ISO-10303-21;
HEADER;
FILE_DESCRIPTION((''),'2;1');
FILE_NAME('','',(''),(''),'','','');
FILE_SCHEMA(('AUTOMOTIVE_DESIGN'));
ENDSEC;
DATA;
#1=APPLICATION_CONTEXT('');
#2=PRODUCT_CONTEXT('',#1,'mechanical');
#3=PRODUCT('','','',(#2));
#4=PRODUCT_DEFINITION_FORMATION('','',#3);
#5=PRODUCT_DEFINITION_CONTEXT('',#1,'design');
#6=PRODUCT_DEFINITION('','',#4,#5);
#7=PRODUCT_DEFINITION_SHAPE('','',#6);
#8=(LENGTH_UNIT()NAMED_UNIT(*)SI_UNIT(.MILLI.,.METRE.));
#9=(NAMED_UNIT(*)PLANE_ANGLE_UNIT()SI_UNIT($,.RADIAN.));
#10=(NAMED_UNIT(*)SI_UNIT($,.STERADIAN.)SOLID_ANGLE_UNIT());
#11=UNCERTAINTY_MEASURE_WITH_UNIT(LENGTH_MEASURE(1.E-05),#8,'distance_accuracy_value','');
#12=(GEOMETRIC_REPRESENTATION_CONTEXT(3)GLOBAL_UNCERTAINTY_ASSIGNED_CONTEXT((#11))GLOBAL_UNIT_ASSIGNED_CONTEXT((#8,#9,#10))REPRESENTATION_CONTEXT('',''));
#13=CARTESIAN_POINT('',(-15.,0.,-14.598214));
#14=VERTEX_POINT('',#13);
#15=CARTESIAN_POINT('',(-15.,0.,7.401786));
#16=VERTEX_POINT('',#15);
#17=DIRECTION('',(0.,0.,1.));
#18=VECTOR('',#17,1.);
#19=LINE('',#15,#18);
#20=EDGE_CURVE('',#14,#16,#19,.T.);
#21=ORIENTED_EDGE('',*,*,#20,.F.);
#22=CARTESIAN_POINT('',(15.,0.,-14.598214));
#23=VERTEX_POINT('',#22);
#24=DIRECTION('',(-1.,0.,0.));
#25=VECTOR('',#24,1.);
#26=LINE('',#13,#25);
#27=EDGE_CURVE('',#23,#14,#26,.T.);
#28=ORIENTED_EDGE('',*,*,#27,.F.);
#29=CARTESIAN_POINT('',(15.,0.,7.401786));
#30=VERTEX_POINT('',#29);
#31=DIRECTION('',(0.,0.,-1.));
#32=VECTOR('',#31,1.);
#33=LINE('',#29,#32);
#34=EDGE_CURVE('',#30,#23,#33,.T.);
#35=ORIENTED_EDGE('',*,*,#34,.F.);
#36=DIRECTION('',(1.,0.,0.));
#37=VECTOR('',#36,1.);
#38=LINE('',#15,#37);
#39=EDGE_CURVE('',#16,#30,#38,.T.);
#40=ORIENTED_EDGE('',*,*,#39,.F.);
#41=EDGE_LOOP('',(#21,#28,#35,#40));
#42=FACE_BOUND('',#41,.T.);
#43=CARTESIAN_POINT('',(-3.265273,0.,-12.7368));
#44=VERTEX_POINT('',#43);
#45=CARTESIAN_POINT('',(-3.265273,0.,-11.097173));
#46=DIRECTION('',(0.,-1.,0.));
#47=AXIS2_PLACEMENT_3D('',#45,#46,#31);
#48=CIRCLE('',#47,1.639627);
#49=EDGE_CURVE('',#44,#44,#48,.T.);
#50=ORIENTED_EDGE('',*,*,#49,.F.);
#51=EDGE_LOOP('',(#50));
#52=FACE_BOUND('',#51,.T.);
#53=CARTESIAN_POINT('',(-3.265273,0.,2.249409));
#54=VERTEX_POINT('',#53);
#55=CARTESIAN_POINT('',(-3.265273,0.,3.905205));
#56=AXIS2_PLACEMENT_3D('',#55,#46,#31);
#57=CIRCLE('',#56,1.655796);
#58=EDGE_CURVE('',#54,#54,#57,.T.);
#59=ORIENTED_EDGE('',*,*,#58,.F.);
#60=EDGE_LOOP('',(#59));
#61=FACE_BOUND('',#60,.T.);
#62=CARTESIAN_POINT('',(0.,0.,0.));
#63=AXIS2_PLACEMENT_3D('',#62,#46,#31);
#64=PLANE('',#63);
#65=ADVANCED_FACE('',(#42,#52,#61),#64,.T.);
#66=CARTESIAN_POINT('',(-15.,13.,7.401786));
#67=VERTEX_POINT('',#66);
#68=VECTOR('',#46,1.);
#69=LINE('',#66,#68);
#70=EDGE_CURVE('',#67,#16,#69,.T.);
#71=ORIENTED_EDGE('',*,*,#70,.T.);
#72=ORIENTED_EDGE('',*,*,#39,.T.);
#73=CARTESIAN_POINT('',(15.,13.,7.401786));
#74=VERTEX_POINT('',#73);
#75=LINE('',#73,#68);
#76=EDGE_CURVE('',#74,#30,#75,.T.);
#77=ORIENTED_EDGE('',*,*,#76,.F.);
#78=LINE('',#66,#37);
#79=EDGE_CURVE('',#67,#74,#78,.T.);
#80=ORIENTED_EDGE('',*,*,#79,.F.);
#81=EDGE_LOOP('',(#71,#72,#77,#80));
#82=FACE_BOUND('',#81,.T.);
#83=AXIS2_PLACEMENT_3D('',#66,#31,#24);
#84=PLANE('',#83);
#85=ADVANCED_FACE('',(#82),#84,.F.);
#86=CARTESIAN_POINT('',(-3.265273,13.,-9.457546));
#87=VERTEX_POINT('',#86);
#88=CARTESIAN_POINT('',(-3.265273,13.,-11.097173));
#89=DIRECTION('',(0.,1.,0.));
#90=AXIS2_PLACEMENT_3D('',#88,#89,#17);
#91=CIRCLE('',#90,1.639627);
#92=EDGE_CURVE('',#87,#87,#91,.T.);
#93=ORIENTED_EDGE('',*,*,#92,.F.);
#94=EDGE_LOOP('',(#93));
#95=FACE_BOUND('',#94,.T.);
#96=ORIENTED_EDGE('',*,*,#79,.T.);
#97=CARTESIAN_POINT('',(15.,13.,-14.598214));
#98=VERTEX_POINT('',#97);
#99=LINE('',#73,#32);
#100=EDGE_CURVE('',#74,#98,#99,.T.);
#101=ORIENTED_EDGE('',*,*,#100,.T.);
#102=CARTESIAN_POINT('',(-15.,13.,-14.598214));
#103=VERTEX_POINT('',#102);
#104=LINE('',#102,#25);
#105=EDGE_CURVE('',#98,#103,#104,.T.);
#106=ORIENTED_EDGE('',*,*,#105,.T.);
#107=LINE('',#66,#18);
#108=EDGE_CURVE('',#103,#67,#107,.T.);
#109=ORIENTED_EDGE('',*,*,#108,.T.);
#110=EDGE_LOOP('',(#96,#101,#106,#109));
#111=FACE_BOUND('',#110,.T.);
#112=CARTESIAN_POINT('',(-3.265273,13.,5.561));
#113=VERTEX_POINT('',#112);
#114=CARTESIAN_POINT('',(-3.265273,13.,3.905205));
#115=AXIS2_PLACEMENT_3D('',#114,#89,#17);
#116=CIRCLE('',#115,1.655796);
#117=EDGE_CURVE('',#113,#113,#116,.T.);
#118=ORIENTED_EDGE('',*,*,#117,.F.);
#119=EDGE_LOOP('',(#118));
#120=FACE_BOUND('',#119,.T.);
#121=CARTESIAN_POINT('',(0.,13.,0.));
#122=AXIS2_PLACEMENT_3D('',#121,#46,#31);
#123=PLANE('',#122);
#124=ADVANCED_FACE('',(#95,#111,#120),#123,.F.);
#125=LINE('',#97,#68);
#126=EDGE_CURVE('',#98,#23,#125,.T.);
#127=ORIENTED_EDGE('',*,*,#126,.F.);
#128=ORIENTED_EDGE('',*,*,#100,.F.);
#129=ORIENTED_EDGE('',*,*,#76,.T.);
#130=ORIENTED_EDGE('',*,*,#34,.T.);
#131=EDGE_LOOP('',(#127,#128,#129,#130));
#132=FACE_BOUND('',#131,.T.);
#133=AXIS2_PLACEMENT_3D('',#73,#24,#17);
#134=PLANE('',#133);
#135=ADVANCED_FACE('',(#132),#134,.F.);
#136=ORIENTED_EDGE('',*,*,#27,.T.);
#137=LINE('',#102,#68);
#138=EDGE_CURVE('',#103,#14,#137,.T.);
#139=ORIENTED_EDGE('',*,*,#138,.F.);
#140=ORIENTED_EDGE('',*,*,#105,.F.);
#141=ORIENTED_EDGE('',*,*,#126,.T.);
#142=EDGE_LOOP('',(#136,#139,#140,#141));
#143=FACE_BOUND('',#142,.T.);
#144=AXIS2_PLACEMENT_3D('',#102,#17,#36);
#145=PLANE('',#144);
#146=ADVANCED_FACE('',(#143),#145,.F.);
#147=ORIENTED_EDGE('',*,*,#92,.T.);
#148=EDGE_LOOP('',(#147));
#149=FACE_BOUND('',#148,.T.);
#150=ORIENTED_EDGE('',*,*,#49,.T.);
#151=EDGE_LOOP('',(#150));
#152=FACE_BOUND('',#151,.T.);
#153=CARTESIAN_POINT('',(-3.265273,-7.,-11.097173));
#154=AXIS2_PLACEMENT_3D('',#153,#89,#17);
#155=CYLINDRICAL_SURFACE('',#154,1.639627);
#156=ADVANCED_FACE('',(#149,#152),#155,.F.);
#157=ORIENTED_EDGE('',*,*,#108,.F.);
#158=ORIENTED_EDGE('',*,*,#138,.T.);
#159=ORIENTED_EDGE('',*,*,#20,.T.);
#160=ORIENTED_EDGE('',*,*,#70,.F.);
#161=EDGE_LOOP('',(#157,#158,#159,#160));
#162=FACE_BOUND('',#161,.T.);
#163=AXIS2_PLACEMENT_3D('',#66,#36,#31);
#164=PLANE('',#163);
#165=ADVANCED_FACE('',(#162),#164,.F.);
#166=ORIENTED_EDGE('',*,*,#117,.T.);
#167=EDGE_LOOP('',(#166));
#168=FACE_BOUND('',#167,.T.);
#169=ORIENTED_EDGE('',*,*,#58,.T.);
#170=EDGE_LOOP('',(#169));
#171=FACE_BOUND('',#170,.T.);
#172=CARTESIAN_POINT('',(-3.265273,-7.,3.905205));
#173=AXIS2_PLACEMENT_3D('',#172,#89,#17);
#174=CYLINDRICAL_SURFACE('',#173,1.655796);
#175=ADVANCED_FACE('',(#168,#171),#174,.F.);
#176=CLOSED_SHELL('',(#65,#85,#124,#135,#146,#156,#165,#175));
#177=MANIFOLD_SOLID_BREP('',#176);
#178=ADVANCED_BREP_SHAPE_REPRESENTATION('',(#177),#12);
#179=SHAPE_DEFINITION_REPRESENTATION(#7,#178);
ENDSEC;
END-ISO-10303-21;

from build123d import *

# Parameters (mm, degrees)
SKETCH1_W           = 30
SKETCH1_H           = 22
BOSS_EXTRUDE1_DEPTH = 13
SKETCH2_R           = 1.639627053
SKETCH2_R_2         = 1.655795528
CUT_EXTRUDE1_DEPTH  = 20


with BuildPart() as part:
    # Sketch1 → Boss-Extrude1 (new body)
    with BuildSketch(Plane(origin=(0, 0, 0), x_dir=(1, 0, 0), z_dir=(0, 1, 0))):
        with Locations((0, 3.598214286)):
            Rectangle(SKETCH1_W, SKETCH1_H)
    extrude(amount=BOSS_EXTRUDE1_DEPTH)

    # Sketch2 → Cut-Extrude1 (cut)
    with BuildSketch(Plane(origin=(0, 13, 0), x_dir=(1, 0, 0), z_dir=(0, 1, 0))):
        with Locations((-3.26527347, 11.097173048)):
            Circle(SKETCH2_R)
        with Locations((-3.26527347, -3.9052047)):
            Circle(SKETCH2_R_2)
    extrude(amount=-CUT_EXTRUDE1_DEPTH, mode=Mode.SUBTRACT)


solid = part.part
